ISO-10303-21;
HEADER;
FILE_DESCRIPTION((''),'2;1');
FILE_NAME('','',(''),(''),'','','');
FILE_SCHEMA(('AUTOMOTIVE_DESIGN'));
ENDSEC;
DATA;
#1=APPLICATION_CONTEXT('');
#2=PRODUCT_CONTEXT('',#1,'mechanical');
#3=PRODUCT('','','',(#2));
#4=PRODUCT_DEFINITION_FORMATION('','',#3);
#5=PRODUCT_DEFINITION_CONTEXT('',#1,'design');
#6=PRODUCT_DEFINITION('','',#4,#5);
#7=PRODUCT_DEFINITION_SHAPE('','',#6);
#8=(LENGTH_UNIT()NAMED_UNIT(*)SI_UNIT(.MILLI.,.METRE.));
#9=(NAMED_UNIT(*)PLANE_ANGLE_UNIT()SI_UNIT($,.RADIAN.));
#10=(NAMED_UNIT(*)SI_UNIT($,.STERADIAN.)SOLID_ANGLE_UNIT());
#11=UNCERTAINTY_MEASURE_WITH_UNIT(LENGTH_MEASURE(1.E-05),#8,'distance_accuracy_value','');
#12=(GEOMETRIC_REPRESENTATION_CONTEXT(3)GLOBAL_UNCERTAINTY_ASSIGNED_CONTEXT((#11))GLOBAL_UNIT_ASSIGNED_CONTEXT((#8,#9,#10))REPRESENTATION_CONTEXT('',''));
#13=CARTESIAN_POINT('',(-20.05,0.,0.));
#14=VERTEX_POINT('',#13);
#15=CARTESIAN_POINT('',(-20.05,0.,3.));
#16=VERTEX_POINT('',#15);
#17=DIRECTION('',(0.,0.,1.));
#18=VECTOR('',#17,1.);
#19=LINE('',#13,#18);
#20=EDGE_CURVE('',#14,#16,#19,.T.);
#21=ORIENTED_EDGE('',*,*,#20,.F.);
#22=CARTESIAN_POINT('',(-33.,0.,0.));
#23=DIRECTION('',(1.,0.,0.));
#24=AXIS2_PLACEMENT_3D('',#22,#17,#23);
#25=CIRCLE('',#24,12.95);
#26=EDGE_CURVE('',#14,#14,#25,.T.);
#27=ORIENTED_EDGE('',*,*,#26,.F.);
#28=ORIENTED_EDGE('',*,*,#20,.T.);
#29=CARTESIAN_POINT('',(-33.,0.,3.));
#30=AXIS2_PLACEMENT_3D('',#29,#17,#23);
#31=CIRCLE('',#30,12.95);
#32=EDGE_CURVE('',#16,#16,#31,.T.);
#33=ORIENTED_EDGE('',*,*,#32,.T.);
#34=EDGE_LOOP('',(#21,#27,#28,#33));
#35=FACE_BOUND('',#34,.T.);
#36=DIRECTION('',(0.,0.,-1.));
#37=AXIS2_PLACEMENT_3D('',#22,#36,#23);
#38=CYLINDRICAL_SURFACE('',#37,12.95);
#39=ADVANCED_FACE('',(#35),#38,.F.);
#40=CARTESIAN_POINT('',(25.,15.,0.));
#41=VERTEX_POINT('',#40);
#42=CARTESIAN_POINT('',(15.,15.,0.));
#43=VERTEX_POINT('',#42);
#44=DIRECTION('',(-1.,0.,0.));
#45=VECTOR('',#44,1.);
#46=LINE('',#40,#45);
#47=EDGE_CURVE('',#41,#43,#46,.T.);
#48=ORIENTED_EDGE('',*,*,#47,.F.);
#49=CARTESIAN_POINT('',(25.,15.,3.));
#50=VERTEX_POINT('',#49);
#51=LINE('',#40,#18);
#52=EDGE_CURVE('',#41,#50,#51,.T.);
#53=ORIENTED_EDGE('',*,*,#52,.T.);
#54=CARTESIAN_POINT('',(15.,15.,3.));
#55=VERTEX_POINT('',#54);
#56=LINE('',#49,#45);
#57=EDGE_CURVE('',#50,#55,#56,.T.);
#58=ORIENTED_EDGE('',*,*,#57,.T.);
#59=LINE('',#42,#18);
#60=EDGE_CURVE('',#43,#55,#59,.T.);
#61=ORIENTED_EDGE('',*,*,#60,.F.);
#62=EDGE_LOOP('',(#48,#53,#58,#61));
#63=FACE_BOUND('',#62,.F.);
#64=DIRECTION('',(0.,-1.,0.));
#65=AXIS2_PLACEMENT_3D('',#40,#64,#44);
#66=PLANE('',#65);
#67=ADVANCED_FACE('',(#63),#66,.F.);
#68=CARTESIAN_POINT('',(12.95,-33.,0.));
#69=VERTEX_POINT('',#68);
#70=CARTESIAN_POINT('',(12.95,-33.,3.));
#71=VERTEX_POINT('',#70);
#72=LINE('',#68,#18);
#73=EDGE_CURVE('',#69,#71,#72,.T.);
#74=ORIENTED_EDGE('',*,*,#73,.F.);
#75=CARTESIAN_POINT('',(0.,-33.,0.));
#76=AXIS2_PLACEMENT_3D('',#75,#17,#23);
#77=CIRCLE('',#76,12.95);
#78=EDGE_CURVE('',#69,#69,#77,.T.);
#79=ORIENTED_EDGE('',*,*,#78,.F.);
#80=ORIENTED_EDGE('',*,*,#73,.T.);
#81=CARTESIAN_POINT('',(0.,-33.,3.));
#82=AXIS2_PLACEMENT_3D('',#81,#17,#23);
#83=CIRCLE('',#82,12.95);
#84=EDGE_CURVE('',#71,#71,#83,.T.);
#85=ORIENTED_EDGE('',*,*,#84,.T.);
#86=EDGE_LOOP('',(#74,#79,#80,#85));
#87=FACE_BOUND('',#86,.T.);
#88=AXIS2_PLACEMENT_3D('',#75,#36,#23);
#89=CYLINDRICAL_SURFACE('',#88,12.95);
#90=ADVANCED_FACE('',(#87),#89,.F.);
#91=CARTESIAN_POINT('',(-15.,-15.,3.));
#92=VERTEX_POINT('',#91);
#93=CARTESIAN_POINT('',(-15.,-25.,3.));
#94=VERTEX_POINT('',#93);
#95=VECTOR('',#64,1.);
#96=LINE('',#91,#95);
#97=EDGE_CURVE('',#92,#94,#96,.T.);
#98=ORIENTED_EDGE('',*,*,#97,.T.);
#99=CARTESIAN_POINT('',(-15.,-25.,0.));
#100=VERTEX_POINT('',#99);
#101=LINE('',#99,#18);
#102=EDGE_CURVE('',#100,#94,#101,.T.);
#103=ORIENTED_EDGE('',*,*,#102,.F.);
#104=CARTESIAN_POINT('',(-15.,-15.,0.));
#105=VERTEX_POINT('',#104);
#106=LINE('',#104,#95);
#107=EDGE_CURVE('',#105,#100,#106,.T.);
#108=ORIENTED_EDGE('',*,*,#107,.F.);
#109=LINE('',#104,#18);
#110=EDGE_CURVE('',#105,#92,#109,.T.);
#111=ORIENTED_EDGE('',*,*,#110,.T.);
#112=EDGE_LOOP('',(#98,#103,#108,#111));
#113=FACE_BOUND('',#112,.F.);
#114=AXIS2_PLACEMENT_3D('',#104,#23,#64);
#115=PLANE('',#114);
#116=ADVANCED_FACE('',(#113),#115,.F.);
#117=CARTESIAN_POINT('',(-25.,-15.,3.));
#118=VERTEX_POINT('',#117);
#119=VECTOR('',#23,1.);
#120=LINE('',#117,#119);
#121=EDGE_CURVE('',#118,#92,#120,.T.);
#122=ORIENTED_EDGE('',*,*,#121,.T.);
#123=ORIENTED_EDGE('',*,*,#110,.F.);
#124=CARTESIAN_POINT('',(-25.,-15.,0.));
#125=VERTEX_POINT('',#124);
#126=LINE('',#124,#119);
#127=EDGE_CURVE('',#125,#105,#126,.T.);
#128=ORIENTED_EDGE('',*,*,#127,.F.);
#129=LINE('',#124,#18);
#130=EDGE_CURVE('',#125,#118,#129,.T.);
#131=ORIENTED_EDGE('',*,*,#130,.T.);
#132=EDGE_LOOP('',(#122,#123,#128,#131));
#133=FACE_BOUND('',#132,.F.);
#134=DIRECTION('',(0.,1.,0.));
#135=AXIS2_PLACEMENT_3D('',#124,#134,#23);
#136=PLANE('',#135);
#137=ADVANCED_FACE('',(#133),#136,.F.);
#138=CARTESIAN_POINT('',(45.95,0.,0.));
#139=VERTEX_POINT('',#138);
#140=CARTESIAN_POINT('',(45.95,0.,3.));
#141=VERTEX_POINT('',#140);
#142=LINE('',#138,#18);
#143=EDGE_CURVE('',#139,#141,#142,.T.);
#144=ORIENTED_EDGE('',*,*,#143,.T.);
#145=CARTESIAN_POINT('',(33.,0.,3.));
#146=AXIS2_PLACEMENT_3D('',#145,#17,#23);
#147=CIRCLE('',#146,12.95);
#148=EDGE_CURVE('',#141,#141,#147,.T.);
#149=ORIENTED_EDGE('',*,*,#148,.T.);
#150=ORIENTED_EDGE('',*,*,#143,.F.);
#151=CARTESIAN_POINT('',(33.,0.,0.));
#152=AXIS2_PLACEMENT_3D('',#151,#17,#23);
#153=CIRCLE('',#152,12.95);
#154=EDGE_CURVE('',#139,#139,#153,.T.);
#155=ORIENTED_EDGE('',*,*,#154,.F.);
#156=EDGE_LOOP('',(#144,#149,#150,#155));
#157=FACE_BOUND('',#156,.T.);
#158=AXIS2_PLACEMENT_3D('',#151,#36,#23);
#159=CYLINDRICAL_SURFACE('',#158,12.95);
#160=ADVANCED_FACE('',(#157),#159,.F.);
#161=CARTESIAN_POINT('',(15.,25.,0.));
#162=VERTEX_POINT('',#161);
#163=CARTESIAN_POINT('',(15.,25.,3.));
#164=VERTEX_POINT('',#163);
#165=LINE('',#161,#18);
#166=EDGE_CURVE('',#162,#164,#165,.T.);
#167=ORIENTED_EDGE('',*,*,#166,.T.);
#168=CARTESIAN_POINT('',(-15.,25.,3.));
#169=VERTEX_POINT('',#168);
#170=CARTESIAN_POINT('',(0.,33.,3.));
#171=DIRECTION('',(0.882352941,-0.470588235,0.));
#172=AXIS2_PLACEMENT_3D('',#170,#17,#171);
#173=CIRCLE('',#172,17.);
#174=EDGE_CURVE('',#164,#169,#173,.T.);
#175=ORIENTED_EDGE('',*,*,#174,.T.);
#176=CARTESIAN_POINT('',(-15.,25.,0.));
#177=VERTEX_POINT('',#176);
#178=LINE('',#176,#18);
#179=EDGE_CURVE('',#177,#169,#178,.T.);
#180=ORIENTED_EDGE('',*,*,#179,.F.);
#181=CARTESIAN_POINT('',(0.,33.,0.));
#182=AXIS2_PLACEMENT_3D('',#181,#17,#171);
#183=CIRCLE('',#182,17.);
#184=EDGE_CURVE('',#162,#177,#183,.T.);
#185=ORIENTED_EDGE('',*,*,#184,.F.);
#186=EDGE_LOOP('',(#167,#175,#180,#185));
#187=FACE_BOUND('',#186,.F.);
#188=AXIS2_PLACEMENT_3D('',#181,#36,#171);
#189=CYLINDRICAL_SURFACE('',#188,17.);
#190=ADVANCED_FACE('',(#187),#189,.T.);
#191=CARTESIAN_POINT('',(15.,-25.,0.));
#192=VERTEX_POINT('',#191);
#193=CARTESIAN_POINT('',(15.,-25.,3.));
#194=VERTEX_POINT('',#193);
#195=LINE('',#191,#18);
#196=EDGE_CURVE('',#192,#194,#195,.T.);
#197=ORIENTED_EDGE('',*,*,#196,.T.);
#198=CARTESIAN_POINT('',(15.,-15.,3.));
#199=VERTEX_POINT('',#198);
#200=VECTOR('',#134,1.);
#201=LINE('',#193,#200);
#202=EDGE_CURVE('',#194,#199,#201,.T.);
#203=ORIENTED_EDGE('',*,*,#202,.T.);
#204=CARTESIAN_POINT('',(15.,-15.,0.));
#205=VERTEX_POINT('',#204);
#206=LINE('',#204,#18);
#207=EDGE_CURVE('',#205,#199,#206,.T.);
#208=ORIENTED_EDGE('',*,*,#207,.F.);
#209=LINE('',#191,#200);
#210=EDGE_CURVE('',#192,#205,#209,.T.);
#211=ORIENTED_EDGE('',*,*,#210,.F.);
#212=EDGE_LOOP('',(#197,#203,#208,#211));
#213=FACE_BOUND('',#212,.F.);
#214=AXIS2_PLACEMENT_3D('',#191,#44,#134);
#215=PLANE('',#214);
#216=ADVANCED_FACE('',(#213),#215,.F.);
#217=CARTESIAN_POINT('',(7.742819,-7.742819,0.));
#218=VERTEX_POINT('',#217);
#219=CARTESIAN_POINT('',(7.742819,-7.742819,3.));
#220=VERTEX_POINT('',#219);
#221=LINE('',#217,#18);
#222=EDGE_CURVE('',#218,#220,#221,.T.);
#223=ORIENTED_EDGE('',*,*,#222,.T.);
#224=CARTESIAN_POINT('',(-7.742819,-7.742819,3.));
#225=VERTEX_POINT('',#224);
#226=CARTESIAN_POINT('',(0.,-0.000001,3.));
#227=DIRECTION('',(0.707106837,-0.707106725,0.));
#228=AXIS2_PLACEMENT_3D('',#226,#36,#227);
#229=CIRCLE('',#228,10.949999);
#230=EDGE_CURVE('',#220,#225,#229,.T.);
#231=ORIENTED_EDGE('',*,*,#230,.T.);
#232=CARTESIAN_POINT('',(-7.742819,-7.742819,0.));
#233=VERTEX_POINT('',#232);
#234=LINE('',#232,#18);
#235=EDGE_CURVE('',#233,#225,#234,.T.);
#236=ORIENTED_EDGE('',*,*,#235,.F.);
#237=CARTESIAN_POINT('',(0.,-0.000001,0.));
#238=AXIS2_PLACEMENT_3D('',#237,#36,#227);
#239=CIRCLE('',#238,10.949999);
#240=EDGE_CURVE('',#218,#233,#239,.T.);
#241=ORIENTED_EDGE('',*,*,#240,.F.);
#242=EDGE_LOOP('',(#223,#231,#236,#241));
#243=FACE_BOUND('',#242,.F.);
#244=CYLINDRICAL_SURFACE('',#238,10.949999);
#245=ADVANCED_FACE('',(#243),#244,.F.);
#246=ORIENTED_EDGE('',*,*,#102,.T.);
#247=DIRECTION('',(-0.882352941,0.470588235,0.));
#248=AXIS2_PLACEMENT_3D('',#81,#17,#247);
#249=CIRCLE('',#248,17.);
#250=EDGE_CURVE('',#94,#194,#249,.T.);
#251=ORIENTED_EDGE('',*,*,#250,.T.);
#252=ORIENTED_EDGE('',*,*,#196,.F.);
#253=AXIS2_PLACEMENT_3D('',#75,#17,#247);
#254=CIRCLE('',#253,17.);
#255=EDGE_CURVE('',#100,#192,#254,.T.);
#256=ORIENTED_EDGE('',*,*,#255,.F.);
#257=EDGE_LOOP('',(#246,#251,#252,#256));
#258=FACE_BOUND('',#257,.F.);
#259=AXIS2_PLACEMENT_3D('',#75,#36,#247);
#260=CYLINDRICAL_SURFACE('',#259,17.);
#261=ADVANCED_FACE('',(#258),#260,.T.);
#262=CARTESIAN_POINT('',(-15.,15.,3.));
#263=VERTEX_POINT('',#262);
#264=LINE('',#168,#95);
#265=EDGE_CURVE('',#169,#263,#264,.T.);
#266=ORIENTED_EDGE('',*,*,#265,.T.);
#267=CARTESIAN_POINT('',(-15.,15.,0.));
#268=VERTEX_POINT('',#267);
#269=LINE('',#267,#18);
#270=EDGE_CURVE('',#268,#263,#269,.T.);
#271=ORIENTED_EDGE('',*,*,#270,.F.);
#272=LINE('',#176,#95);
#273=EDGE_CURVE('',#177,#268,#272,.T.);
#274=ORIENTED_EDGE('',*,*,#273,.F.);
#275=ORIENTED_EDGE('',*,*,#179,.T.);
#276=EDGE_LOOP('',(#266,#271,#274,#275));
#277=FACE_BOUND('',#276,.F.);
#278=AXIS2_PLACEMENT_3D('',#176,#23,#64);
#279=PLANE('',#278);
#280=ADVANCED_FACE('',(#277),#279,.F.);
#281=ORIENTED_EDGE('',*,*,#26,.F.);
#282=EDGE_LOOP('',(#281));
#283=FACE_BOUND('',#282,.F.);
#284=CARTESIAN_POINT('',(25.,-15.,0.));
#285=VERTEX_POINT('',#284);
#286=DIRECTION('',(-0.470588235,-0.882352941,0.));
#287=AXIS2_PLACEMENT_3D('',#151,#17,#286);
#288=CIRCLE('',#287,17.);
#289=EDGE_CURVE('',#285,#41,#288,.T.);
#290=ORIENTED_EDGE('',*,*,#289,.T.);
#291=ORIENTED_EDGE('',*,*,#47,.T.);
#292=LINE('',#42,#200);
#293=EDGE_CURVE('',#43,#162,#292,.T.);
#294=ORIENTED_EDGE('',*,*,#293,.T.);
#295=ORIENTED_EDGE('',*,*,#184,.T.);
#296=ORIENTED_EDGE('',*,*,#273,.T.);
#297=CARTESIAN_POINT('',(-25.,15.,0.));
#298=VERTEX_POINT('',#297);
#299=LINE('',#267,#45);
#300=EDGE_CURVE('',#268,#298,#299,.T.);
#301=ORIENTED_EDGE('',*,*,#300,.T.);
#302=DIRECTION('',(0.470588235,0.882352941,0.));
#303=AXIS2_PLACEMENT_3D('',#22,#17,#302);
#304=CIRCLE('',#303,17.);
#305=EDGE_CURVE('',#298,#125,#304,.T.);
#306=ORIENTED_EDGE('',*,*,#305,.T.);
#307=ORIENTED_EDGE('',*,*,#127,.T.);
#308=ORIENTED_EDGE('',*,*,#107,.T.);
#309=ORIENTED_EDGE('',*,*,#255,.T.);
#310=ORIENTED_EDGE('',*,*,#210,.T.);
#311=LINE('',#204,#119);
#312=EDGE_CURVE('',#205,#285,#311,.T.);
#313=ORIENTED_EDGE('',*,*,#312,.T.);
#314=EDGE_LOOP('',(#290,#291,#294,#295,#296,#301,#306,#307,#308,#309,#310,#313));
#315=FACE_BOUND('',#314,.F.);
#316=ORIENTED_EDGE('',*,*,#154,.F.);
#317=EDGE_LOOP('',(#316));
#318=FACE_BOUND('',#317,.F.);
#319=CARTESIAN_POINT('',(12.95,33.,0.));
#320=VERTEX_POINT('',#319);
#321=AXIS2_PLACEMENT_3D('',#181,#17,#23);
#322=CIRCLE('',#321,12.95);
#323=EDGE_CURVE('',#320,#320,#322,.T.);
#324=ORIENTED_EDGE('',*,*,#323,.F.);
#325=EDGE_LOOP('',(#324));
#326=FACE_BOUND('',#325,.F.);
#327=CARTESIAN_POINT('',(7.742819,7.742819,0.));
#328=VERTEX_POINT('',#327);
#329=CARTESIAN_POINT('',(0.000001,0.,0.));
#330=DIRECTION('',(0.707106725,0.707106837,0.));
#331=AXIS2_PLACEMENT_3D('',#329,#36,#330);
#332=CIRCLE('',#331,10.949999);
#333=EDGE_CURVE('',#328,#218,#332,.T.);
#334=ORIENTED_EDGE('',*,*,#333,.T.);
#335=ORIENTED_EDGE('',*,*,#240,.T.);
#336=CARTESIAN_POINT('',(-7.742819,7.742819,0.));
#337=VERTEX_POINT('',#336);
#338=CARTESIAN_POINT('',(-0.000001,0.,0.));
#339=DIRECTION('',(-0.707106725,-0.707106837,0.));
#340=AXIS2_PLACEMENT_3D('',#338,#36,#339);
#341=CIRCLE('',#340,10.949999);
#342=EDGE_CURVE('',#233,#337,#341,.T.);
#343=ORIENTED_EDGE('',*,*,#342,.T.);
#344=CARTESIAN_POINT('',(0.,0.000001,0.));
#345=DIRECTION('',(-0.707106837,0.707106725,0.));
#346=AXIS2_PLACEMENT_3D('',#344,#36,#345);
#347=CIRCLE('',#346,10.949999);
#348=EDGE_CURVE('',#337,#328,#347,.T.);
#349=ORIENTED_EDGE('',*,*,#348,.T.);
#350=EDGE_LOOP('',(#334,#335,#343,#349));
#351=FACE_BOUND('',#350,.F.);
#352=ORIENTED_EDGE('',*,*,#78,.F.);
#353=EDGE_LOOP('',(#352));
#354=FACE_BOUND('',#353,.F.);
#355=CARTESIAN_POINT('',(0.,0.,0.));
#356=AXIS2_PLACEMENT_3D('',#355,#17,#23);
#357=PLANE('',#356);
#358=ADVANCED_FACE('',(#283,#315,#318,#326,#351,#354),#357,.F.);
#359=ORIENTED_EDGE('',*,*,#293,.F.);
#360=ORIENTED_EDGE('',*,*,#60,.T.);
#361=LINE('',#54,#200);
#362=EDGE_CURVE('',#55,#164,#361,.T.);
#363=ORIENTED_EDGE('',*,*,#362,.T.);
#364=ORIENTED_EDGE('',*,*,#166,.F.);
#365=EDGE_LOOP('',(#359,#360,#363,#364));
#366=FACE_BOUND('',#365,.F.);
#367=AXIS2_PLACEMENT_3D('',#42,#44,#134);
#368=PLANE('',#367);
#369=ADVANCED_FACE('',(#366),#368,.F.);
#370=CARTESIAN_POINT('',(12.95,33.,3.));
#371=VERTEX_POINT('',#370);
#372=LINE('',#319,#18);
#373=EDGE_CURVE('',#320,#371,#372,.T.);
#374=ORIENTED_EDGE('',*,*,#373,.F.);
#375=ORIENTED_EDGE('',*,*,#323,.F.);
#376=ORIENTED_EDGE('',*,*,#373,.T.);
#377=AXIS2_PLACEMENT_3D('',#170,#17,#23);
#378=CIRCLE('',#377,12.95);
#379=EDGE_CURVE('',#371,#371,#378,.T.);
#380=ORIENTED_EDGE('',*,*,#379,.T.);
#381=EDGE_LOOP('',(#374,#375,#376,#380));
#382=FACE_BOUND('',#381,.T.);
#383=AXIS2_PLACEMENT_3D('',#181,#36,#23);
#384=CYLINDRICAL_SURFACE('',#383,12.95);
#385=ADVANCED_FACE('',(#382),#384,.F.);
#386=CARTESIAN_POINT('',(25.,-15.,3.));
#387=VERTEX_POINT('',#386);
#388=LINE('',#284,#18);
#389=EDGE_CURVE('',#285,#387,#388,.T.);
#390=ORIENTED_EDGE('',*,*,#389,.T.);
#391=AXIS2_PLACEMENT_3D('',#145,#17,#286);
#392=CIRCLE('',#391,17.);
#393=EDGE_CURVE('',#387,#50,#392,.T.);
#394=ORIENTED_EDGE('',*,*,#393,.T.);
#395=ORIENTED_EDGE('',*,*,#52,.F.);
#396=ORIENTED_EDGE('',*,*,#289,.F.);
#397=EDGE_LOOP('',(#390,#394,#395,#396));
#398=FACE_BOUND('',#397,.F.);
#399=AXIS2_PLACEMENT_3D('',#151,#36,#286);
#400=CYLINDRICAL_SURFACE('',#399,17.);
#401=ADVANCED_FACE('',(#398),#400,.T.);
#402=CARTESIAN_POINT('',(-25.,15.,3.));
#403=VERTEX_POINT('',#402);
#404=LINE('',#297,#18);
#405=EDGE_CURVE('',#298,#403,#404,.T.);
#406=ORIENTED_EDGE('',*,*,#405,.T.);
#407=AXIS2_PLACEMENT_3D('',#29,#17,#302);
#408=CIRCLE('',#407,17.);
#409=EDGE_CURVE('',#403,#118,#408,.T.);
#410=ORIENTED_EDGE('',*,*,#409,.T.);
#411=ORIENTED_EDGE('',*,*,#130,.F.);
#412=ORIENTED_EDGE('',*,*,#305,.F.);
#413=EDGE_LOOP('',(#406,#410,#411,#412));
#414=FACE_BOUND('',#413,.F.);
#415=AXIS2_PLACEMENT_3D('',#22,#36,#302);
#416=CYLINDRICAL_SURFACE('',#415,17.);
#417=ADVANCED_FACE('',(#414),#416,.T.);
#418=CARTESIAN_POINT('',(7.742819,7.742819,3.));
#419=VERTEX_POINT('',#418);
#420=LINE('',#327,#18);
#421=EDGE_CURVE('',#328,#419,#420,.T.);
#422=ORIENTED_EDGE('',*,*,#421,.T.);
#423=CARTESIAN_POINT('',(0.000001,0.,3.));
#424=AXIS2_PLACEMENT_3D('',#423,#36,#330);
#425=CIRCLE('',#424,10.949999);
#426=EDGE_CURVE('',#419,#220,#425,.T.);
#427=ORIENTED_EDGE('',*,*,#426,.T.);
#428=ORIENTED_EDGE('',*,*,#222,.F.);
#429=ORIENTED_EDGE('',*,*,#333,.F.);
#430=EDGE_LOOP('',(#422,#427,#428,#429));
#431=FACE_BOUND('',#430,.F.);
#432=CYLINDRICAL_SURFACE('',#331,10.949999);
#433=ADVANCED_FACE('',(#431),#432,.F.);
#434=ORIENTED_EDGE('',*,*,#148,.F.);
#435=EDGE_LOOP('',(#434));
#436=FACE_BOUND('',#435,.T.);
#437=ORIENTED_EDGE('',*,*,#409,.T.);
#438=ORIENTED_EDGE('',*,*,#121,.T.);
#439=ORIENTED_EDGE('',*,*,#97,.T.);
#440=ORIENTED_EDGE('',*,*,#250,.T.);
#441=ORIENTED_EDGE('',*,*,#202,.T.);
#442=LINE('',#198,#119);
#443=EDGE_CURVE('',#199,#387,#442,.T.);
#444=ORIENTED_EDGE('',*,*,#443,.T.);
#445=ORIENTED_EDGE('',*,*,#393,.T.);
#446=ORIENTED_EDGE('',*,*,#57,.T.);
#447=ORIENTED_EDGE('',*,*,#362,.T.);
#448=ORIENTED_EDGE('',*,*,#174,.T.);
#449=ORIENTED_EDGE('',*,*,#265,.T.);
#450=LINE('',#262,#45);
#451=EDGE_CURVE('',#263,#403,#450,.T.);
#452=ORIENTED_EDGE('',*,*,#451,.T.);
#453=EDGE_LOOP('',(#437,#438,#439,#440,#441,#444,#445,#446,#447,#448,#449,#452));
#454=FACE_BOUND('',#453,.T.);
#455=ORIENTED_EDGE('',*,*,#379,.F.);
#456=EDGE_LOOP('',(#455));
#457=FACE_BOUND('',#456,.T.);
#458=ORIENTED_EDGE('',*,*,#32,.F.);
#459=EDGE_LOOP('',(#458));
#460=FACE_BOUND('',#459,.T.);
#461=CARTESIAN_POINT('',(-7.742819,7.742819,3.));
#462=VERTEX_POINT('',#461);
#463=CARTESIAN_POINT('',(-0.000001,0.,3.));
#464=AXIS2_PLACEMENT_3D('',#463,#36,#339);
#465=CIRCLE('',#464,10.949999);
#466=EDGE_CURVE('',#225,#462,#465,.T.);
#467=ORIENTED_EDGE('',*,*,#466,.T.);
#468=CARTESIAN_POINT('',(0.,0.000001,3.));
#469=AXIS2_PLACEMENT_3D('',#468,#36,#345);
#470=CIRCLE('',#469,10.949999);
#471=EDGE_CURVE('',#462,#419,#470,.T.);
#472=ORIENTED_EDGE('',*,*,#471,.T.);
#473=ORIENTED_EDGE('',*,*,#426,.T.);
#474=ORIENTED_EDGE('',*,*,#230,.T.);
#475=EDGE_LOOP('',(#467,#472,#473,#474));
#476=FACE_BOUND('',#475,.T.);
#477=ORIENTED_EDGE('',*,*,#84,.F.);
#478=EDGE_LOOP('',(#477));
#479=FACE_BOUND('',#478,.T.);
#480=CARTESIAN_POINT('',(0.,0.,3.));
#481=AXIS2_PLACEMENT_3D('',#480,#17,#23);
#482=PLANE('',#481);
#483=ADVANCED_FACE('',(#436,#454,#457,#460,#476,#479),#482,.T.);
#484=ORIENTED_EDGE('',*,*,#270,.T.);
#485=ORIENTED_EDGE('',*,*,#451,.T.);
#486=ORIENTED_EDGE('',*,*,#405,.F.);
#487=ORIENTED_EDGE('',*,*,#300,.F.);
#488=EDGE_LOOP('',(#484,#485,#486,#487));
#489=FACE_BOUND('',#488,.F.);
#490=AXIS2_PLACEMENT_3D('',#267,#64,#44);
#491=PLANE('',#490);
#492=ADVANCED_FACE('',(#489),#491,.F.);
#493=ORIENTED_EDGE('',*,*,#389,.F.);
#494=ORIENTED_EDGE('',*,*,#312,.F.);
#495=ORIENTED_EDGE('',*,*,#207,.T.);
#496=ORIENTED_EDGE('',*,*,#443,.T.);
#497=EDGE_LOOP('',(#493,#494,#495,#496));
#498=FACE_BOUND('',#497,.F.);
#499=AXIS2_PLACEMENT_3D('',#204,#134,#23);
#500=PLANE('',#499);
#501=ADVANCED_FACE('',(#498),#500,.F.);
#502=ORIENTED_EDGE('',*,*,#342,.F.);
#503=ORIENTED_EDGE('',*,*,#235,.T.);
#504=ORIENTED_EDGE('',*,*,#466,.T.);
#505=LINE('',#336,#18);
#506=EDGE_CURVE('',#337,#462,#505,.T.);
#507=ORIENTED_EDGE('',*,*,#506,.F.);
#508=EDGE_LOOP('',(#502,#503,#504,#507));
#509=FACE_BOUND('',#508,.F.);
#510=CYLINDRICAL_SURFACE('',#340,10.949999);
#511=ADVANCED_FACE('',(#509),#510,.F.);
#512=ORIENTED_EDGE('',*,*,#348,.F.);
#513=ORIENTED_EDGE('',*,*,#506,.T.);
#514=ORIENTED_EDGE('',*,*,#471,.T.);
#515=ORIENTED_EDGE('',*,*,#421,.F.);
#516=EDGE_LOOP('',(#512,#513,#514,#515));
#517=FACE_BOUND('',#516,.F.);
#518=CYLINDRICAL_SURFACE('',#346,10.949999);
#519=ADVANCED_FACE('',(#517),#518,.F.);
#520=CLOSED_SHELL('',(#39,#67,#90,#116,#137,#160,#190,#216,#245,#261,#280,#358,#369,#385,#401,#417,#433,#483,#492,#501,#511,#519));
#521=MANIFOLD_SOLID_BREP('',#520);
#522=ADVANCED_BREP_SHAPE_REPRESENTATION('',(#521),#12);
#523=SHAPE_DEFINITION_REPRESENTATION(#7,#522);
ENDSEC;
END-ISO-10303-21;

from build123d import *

# Parameters (mm, degrees)
F0_R     = 12.95
F1_DEPTH = 3


with BuildPart() as f1:
    # F0 (on Top) → F1 (new body)
    with BuildSketch(Plane.XY):
        with BuildLine():
            Line((-15, 15), (-25, 15))
            ThreePointArc((-25, 15), (-50, 0), (-25, -15))
            Line((-25, -15), (-15, -15))
            Line((-15, -15), (-15, -25))
            ThreePointArc((-15, -25), (0, -50), (15, -25))
            Line((15, -25), (15, -15))
            Line((15, -15), (25, -15))
            ThreePointArc((25, -15), (50, 0), (25, 15))
            Line((25, 15), (15, 15))
            Line((15, 15), (15, 25))
            ThreePointArc((15, 25), (0, 50), (-15, 25))
            Line((-15, 25), (-15, 15))
        make_face()
        with Locations((0, -33)):
            Circle(F0_R, mode=Mode.SUBTRACT)
        with Locations((-33, 0)):
            Circle(F0_R, mode=Mode.SUBTRACT)
        with BuildLine():
            ThreePointArc((-7.742819, -7.742819), (-10.95, 0), (-7.742819, 7.742819))
            ThreePointArc((-7.742819, 7.742819), (0, 10.95), (7.742819, 7.742819))
            ThreePointArc((7.742819, 7.742819), (10.95, 0), (7.742819, -7.742819))
            ThreePointArc((7.742819, -7.742819), (0, -10.95), (-7.742819, -7.742819))
        make_face(mode=Mode.SUBTRACT)
        with Locations((33, 0)):
            Circle(F0_R, mode=Mode.SUBTRACT)
        with Locations((0, 33)):
            Circle(F0_R, mode=Mode.SUBTRACT)
    extrude(amount=F1_DEPTH)


solid = f1.part
